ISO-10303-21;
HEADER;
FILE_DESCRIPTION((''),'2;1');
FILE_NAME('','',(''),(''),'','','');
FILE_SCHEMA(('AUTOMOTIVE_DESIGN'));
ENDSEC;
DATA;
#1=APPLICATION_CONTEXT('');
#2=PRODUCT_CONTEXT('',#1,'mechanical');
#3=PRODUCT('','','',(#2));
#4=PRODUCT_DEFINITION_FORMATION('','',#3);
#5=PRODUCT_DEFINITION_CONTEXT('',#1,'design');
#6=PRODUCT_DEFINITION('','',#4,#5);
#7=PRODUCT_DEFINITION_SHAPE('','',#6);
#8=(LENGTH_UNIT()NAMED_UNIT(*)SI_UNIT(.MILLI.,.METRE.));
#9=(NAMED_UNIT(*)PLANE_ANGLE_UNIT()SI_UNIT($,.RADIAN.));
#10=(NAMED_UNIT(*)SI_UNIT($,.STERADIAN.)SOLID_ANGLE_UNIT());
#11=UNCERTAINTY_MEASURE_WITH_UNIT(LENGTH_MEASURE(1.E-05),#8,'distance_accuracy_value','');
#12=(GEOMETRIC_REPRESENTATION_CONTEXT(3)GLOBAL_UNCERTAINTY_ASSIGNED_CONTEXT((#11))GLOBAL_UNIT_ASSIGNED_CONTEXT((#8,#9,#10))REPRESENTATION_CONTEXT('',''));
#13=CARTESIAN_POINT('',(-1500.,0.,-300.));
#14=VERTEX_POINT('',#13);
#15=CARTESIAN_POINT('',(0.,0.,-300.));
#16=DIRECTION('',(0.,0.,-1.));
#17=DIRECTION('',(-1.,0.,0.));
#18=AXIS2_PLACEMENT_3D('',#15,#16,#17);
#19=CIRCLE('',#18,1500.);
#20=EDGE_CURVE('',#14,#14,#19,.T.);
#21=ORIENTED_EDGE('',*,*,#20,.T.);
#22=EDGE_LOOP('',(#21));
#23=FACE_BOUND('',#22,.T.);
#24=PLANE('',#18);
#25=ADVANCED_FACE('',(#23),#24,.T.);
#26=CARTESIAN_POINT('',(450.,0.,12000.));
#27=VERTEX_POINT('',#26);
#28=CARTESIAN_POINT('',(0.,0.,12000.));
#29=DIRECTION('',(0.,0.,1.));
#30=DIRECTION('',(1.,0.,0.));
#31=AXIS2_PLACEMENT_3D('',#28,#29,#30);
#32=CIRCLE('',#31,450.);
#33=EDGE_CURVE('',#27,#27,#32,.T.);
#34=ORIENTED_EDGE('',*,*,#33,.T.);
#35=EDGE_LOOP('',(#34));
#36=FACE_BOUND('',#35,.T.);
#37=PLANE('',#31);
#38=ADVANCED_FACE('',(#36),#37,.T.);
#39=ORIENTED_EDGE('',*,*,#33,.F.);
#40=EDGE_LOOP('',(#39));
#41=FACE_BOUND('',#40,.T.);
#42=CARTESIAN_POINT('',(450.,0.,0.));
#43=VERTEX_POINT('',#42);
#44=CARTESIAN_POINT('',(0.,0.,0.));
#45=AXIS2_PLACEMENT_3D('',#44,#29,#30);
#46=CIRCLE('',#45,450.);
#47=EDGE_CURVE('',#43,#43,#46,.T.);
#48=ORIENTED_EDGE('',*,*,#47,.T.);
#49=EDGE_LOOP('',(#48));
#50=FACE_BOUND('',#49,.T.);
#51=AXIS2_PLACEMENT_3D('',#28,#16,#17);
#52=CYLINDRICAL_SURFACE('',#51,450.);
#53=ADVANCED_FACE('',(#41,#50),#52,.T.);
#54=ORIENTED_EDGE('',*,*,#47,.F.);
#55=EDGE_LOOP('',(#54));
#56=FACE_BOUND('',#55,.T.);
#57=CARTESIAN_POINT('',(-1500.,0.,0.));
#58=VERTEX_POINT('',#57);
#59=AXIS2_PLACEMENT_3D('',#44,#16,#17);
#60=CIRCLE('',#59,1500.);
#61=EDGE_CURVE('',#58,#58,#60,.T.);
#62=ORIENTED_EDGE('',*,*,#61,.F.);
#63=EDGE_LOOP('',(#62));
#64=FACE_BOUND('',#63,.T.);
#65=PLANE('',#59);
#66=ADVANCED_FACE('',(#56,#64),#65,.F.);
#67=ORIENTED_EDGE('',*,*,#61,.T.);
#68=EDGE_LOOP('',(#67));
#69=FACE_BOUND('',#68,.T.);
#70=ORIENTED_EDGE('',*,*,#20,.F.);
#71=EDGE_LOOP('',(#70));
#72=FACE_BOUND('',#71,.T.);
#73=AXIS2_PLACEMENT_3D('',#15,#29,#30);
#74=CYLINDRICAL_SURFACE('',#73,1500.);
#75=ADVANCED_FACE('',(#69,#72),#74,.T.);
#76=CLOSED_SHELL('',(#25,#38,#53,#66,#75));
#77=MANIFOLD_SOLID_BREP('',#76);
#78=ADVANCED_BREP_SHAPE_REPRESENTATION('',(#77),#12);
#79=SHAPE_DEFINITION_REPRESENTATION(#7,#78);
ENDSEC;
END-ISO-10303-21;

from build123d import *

# Parameters (mm, degrees)
SKETCH1_R           = 450
BOSS_EXTRUDE1_DEPTH = 12000
SKETCH2_R           = 1500
BOSS_EXTRUDE2_DEPTH = 300


with BuildPart() as part:
    # Sketch1 → Boss-Extrude1 (new body)
    with BuildSketch(Plane.XY):
        Circle(SKETCH1_R)
    extrude(amount=BOSS_EXTRUDE1_DEPTH)

    # Sketch2 → Boss-Extrude2 (add)
    with BuildSketch(Plane(origin=(0, 0, 0), x_dir=(-1, 0, 0), z_dir=(0, 0, -1))):
        Circle(SKETCH2_R)
    extrude(amount=BOSS_EXTRUDE2_DEPTH)


solid = part.part
